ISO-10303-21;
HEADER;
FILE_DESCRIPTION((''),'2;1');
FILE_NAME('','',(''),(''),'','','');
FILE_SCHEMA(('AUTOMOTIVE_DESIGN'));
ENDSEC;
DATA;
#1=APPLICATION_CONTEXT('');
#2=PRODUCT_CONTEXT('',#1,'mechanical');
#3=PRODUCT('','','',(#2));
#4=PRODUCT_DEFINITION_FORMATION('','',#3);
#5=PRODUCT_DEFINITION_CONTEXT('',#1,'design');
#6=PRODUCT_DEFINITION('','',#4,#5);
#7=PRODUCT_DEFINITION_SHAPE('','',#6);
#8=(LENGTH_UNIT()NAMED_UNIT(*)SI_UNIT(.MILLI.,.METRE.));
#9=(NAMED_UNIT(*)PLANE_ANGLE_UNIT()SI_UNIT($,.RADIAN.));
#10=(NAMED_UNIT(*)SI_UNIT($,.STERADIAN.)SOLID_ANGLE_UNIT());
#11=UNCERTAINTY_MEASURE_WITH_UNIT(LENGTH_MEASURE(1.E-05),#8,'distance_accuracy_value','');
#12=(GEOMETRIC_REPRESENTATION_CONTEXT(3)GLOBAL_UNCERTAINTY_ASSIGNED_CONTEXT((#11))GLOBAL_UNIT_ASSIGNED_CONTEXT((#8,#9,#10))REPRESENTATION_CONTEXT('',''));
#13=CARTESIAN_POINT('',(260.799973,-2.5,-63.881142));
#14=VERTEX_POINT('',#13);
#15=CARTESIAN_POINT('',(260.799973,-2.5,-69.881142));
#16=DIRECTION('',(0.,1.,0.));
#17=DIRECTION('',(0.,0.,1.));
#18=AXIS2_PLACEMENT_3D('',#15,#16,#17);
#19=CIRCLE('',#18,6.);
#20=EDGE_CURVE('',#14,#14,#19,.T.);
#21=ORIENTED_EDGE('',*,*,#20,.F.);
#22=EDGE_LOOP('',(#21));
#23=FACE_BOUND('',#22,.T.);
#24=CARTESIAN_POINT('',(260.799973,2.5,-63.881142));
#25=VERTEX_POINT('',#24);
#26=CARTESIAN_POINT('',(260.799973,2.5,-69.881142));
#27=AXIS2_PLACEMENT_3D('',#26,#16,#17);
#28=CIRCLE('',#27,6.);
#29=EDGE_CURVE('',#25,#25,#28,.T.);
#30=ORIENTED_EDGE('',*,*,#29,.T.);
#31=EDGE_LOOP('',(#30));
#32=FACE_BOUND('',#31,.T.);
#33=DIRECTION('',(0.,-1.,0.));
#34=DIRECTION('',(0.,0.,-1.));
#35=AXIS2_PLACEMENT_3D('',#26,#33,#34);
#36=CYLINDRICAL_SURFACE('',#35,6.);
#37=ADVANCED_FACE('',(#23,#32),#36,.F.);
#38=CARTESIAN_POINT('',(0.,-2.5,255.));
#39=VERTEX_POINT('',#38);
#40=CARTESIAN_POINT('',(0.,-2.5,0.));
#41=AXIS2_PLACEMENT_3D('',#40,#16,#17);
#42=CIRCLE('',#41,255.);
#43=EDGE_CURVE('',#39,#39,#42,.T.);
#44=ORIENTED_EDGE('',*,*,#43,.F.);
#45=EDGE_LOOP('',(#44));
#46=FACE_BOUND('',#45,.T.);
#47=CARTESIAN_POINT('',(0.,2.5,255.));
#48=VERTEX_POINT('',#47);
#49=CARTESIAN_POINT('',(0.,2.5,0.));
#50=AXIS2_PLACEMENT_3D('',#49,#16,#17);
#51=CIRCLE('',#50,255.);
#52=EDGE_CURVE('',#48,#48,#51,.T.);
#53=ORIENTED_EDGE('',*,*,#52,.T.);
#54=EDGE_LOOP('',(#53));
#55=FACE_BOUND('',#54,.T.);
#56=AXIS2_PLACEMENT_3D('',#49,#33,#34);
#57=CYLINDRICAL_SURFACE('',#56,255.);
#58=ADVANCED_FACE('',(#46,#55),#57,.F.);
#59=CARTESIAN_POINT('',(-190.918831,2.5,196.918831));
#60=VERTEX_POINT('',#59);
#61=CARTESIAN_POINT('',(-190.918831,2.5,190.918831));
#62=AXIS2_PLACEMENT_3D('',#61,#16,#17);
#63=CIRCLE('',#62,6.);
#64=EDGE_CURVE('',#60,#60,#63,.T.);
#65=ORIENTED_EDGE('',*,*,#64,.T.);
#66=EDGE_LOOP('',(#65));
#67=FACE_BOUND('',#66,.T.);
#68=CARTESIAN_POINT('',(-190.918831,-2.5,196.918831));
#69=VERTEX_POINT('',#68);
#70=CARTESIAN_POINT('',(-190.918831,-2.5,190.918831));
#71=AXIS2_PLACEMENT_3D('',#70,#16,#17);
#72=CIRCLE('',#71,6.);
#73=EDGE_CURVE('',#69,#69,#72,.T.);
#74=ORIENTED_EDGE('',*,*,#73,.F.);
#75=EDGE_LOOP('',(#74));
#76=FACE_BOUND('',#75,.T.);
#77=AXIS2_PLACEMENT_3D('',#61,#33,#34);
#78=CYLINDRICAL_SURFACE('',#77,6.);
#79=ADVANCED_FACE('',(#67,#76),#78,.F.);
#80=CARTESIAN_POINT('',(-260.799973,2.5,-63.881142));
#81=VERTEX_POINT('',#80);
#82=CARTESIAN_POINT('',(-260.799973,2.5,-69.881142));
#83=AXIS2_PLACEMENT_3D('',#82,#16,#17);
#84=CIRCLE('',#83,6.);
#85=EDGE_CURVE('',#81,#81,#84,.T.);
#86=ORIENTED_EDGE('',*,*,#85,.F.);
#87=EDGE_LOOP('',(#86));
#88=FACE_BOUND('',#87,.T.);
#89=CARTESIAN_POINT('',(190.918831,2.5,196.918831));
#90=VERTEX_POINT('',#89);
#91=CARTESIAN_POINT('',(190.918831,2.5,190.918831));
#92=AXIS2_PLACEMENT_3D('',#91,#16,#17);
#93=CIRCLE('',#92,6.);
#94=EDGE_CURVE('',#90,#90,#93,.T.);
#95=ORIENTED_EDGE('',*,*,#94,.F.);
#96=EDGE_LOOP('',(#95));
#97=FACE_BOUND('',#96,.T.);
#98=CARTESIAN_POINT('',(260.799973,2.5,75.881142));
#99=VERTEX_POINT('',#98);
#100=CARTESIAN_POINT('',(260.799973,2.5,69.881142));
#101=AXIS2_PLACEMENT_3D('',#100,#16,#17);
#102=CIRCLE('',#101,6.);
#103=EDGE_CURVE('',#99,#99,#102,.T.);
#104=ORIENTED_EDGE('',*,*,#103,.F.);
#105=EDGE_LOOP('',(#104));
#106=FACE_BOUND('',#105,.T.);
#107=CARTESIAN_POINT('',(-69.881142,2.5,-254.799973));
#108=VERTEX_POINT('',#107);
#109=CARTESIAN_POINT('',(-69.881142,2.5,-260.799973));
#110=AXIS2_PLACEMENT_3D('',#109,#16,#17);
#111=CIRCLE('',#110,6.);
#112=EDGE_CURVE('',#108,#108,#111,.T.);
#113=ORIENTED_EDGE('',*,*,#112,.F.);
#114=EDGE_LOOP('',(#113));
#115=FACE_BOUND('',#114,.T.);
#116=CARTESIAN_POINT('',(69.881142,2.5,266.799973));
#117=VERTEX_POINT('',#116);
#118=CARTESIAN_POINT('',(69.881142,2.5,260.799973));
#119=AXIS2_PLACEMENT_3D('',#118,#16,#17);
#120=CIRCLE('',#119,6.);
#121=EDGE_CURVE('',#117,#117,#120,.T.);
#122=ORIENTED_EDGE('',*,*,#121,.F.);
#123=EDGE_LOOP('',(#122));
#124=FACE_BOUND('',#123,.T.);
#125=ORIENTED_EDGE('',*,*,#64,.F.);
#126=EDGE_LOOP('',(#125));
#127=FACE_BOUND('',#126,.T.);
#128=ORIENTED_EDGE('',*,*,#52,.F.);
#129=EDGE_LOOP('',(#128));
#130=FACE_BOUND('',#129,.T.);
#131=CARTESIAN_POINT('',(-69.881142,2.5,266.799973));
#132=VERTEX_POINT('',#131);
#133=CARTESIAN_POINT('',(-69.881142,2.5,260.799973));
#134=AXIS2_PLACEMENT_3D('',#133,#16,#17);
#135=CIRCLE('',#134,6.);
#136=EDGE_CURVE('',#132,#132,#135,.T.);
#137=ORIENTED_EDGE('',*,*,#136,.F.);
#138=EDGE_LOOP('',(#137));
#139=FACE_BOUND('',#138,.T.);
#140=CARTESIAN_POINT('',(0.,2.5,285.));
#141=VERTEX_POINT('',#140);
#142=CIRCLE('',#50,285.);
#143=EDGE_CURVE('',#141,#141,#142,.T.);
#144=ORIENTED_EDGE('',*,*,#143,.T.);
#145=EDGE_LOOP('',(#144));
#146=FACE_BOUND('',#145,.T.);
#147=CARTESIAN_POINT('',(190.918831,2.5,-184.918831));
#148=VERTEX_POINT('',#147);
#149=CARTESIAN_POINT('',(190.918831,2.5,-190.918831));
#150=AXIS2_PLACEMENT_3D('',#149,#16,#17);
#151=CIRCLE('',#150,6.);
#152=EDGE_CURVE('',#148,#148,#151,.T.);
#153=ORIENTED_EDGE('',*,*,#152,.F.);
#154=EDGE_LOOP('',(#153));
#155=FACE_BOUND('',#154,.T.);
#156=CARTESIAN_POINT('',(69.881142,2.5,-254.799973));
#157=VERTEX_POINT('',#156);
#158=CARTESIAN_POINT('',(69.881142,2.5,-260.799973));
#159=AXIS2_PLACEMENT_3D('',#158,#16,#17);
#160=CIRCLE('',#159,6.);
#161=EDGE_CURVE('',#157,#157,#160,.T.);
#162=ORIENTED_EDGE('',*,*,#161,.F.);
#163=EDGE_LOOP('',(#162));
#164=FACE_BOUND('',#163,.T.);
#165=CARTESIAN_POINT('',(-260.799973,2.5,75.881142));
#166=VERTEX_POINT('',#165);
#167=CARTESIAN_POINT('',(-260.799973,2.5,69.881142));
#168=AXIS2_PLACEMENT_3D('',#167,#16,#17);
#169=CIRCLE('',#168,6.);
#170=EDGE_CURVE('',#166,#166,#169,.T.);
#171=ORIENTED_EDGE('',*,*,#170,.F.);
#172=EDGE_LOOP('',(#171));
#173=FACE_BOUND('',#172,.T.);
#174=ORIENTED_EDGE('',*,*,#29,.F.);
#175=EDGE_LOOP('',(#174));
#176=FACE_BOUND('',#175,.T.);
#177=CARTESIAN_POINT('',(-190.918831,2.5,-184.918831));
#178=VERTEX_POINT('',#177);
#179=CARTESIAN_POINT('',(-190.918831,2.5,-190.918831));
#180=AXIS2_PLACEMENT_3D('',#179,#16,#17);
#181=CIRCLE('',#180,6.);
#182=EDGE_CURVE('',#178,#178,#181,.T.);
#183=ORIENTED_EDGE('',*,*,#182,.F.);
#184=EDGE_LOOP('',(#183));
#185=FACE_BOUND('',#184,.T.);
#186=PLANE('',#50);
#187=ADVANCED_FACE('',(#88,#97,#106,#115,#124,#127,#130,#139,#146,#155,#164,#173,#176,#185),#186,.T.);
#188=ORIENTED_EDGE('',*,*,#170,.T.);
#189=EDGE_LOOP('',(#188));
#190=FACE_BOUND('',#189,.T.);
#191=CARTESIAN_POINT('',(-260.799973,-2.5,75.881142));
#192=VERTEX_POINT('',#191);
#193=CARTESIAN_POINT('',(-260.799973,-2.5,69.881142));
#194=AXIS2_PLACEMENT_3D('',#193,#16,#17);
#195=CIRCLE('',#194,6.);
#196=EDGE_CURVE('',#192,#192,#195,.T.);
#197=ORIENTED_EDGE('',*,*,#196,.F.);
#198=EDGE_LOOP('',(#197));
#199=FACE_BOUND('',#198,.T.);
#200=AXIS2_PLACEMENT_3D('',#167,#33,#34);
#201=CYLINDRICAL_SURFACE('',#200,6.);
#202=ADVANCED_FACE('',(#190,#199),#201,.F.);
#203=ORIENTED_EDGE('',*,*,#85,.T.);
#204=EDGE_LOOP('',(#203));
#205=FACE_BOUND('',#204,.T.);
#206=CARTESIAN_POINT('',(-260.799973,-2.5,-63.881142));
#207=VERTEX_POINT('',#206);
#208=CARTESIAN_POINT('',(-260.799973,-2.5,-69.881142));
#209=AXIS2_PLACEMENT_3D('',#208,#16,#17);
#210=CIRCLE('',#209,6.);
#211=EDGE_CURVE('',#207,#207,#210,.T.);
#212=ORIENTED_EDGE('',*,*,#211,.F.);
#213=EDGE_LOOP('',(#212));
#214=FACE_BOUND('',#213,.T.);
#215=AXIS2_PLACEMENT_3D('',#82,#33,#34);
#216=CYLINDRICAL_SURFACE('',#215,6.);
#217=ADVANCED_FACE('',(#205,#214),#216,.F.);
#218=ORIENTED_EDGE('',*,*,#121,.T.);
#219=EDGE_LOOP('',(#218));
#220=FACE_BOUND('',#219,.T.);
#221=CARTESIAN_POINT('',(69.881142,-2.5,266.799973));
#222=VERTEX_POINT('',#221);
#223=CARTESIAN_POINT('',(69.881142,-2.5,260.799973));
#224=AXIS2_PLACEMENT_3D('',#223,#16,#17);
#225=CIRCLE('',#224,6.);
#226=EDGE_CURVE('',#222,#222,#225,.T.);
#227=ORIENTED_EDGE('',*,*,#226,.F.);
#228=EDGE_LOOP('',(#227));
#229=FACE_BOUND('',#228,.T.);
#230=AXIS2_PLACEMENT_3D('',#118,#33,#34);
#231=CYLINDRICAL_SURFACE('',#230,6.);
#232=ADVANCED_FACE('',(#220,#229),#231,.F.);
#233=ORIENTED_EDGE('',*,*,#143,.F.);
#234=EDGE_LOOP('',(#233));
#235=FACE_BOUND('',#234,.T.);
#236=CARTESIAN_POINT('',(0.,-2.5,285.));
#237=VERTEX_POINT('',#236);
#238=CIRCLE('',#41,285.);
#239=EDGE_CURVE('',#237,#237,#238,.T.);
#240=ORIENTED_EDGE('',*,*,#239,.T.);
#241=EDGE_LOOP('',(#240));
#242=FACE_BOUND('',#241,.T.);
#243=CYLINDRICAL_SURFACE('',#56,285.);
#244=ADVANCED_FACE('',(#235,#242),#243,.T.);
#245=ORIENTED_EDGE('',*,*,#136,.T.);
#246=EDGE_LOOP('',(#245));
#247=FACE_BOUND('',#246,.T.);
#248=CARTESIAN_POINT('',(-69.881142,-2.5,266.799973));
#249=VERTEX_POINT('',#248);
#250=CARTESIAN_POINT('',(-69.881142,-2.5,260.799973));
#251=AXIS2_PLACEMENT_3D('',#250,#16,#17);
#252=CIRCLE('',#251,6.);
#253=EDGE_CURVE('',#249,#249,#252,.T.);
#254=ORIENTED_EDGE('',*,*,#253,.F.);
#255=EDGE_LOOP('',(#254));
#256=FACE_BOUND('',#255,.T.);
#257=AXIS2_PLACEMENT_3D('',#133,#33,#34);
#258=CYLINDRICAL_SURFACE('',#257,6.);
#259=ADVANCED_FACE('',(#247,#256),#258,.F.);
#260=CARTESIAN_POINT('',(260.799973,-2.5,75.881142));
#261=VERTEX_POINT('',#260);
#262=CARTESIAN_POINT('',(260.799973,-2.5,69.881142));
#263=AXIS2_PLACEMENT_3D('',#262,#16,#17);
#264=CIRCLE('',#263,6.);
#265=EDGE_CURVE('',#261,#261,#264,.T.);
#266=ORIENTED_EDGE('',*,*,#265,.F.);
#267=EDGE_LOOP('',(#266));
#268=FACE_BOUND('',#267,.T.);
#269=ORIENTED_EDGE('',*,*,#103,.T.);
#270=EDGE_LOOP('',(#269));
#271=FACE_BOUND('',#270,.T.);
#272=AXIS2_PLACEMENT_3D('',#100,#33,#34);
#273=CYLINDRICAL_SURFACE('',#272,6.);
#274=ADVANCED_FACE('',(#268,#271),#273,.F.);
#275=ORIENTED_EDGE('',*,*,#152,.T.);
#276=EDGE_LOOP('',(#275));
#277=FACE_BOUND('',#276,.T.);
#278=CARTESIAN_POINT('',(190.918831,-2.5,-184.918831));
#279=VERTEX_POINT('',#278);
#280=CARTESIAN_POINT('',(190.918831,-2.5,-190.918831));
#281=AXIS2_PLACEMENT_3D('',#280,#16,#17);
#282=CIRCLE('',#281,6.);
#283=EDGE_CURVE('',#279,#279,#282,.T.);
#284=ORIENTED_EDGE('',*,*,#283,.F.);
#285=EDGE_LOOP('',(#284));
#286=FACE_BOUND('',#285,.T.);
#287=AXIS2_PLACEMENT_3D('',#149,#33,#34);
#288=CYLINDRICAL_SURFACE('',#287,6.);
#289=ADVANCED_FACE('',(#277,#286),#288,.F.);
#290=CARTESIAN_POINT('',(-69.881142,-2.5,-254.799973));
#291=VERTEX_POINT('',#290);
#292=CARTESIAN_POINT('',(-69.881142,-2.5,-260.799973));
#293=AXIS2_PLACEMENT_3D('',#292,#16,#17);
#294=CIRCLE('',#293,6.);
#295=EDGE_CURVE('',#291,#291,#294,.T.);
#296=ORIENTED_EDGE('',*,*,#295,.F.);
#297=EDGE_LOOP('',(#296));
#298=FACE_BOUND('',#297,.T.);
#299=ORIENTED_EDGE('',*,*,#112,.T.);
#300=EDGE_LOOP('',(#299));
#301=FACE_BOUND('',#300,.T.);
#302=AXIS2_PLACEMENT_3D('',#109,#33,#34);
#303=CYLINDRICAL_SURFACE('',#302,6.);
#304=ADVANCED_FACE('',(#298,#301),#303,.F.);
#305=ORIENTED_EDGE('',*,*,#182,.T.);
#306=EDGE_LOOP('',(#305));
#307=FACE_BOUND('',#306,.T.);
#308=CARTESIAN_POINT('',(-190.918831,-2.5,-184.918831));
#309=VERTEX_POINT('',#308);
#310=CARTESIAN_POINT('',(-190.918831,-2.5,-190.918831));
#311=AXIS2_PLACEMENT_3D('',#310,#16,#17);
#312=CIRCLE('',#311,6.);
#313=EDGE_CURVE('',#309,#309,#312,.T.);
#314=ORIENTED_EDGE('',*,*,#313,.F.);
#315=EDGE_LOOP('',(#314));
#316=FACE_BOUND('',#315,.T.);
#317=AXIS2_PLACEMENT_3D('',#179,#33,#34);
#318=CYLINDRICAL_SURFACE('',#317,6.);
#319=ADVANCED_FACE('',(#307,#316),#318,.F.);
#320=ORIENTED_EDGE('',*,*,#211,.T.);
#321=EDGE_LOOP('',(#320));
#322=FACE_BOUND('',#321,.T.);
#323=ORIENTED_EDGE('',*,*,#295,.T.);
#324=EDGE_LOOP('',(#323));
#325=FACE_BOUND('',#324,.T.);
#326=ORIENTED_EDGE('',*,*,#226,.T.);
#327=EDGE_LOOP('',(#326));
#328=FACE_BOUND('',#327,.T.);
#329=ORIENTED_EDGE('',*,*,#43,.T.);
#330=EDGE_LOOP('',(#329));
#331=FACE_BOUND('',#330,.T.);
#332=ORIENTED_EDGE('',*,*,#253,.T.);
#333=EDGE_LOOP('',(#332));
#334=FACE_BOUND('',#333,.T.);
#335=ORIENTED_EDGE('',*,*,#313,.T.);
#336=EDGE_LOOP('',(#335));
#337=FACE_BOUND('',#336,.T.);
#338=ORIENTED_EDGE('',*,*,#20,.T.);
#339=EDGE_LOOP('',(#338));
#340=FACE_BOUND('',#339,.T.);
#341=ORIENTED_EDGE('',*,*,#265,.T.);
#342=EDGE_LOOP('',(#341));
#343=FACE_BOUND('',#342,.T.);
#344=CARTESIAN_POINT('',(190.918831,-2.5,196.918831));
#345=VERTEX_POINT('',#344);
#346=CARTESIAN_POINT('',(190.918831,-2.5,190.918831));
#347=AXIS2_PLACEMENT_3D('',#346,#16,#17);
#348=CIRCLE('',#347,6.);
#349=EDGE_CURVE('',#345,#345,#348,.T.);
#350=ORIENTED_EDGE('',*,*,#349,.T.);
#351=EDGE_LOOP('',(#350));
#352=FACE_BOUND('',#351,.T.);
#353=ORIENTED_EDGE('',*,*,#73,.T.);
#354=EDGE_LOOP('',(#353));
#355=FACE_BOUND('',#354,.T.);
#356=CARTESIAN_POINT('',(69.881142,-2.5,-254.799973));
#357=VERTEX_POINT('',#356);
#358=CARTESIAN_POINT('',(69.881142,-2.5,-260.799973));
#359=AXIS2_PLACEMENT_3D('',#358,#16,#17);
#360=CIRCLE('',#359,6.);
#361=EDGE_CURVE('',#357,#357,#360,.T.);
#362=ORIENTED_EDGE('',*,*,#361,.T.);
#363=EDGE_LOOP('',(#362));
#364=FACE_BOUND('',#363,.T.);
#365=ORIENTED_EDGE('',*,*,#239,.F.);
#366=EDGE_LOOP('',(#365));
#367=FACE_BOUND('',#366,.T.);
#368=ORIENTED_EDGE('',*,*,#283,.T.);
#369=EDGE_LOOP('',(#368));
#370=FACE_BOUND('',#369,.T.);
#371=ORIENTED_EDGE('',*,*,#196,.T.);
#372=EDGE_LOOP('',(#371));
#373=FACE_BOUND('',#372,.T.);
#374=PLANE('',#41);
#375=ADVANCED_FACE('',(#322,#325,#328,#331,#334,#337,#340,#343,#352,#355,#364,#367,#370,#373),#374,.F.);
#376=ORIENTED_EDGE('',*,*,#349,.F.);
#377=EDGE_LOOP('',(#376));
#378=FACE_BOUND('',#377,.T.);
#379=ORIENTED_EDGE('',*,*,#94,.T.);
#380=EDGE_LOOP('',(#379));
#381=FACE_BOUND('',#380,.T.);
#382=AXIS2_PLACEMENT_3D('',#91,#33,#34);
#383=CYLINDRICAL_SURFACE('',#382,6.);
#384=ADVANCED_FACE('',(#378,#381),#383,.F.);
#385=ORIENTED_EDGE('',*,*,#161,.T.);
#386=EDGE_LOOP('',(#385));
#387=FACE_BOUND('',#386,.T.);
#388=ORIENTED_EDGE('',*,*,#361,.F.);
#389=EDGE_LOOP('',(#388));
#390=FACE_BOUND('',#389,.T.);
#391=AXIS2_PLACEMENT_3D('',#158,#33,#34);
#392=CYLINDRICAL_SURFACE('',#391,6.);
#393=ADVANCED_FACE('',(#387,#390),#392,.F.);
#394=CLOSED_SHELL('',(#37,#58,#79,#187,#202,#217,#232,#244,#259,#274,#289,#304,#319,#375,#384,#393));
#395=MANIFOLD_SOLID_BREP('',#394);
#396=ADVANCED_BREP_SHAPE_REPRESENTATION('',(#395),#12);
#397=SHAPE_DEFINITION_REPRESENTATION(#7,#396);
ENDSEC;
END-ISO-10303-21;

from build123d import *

# Parameters (mm, degrees)
SCHIZZO1_R                   = 255
SCHIZZO1_R_2                 = 6
ESTRUSIONE_ESTRUSIONE1_DEPTH = 2.5


with BuildPart() as part:
    # Schizzo1 → Estrusione-Estrusione1 (new, symmetric)
    with BuildSketch(Plane(origin=(0, 0, 0), x_dir=(1, 0, 0), z_dir=(0, 1, 0))):
        with BuildLine():
            ThreePointArc((-285, 0), (0, -285), (285, 0))
            ThreePointArc((285, 0), (0, 285), (-285, 0))
        make_face()
        with Locations(Location((0, 0, 0), (0, 0, 270))):
            Circle(SCHIZZO1_R, mode=Mode.SUBTRACT)
        with Locations(Location((-260.799973098, 69.881142178, 0), (0, 0, 270))):
            Circle(SCHIZZO1_R_2, mode=Mode.SUBTRACT)
        with Locations(Location((-190.91883092, 190.91883092, 0), (0, 0, 270))):
            Circle(SCHIZZO1_R_2, mode=Mode.SUBTRACT)
        with Locations(Location((-69.881142178, 260.799973098, 0), (0, 0, 270))):
            Circle(SCHIZZO1_R_2, mode=Mode.SUBTRACT)
        with Locations(Location((69.881142178, 260.799973098, 0), (0, 0, 270))):
            Circle(SCHIZZO1_R_2, mode=Mode.SUBTRACT)
        with Locations(Location((190.91883092, 190.91883092, 0), (0, 0, 270))):
            Circle(SCHIZZO1_R_2, mode=Mode.SUBTRACT)
        with Locations(Location((260.799973098, 69.881142178, 0), (0, 0, 270))):
            Circle(SCHIZZO1_R_2, mode=Mode.SUBTRACT)
        with Locations(Location((260.799973098, -69.881142178, 0), (0, 0, 270))):
            Circle(SCHIZZO1_R_2, mode=Mode.SUBTRACT)
        with Locations(Location((190.91883092, -190.91883092, 0), (0, 0, 270))):
            Circle(SCHIZZO1_R_2, mode=Mode.SUBTRACT)
        with Locations(Location((69.881142178, -260.799973098, 0), (0, 0, 270))):
            Circle(SCHIZZO1_R_2, mode=Mode.SUBTRACT)
        with Locations(Location((-69.881142178, -260.799973098, 0), (0, 0, 270))):
            Circle(SCHIZZO1_R_2, mode=Mode.SUBTRACT)
        with Locations(Location((-190.91883092, -190.91883092, 0), (0, 0, 270))):
            Circle(SCHIZZO1_R_2, mode=Mode.SUBTRACT)
        with Locations(Location((-260.799973098, -69.881142178, 0), (0, 0, 270))):
            Circle(SCHIZZO1_R_2, mode=Mode.SUBTRACT)
    extrude(amount=ESTRUSIONE_ESTRUSIONE1_DEPTH, both=True)


solid = part.part
